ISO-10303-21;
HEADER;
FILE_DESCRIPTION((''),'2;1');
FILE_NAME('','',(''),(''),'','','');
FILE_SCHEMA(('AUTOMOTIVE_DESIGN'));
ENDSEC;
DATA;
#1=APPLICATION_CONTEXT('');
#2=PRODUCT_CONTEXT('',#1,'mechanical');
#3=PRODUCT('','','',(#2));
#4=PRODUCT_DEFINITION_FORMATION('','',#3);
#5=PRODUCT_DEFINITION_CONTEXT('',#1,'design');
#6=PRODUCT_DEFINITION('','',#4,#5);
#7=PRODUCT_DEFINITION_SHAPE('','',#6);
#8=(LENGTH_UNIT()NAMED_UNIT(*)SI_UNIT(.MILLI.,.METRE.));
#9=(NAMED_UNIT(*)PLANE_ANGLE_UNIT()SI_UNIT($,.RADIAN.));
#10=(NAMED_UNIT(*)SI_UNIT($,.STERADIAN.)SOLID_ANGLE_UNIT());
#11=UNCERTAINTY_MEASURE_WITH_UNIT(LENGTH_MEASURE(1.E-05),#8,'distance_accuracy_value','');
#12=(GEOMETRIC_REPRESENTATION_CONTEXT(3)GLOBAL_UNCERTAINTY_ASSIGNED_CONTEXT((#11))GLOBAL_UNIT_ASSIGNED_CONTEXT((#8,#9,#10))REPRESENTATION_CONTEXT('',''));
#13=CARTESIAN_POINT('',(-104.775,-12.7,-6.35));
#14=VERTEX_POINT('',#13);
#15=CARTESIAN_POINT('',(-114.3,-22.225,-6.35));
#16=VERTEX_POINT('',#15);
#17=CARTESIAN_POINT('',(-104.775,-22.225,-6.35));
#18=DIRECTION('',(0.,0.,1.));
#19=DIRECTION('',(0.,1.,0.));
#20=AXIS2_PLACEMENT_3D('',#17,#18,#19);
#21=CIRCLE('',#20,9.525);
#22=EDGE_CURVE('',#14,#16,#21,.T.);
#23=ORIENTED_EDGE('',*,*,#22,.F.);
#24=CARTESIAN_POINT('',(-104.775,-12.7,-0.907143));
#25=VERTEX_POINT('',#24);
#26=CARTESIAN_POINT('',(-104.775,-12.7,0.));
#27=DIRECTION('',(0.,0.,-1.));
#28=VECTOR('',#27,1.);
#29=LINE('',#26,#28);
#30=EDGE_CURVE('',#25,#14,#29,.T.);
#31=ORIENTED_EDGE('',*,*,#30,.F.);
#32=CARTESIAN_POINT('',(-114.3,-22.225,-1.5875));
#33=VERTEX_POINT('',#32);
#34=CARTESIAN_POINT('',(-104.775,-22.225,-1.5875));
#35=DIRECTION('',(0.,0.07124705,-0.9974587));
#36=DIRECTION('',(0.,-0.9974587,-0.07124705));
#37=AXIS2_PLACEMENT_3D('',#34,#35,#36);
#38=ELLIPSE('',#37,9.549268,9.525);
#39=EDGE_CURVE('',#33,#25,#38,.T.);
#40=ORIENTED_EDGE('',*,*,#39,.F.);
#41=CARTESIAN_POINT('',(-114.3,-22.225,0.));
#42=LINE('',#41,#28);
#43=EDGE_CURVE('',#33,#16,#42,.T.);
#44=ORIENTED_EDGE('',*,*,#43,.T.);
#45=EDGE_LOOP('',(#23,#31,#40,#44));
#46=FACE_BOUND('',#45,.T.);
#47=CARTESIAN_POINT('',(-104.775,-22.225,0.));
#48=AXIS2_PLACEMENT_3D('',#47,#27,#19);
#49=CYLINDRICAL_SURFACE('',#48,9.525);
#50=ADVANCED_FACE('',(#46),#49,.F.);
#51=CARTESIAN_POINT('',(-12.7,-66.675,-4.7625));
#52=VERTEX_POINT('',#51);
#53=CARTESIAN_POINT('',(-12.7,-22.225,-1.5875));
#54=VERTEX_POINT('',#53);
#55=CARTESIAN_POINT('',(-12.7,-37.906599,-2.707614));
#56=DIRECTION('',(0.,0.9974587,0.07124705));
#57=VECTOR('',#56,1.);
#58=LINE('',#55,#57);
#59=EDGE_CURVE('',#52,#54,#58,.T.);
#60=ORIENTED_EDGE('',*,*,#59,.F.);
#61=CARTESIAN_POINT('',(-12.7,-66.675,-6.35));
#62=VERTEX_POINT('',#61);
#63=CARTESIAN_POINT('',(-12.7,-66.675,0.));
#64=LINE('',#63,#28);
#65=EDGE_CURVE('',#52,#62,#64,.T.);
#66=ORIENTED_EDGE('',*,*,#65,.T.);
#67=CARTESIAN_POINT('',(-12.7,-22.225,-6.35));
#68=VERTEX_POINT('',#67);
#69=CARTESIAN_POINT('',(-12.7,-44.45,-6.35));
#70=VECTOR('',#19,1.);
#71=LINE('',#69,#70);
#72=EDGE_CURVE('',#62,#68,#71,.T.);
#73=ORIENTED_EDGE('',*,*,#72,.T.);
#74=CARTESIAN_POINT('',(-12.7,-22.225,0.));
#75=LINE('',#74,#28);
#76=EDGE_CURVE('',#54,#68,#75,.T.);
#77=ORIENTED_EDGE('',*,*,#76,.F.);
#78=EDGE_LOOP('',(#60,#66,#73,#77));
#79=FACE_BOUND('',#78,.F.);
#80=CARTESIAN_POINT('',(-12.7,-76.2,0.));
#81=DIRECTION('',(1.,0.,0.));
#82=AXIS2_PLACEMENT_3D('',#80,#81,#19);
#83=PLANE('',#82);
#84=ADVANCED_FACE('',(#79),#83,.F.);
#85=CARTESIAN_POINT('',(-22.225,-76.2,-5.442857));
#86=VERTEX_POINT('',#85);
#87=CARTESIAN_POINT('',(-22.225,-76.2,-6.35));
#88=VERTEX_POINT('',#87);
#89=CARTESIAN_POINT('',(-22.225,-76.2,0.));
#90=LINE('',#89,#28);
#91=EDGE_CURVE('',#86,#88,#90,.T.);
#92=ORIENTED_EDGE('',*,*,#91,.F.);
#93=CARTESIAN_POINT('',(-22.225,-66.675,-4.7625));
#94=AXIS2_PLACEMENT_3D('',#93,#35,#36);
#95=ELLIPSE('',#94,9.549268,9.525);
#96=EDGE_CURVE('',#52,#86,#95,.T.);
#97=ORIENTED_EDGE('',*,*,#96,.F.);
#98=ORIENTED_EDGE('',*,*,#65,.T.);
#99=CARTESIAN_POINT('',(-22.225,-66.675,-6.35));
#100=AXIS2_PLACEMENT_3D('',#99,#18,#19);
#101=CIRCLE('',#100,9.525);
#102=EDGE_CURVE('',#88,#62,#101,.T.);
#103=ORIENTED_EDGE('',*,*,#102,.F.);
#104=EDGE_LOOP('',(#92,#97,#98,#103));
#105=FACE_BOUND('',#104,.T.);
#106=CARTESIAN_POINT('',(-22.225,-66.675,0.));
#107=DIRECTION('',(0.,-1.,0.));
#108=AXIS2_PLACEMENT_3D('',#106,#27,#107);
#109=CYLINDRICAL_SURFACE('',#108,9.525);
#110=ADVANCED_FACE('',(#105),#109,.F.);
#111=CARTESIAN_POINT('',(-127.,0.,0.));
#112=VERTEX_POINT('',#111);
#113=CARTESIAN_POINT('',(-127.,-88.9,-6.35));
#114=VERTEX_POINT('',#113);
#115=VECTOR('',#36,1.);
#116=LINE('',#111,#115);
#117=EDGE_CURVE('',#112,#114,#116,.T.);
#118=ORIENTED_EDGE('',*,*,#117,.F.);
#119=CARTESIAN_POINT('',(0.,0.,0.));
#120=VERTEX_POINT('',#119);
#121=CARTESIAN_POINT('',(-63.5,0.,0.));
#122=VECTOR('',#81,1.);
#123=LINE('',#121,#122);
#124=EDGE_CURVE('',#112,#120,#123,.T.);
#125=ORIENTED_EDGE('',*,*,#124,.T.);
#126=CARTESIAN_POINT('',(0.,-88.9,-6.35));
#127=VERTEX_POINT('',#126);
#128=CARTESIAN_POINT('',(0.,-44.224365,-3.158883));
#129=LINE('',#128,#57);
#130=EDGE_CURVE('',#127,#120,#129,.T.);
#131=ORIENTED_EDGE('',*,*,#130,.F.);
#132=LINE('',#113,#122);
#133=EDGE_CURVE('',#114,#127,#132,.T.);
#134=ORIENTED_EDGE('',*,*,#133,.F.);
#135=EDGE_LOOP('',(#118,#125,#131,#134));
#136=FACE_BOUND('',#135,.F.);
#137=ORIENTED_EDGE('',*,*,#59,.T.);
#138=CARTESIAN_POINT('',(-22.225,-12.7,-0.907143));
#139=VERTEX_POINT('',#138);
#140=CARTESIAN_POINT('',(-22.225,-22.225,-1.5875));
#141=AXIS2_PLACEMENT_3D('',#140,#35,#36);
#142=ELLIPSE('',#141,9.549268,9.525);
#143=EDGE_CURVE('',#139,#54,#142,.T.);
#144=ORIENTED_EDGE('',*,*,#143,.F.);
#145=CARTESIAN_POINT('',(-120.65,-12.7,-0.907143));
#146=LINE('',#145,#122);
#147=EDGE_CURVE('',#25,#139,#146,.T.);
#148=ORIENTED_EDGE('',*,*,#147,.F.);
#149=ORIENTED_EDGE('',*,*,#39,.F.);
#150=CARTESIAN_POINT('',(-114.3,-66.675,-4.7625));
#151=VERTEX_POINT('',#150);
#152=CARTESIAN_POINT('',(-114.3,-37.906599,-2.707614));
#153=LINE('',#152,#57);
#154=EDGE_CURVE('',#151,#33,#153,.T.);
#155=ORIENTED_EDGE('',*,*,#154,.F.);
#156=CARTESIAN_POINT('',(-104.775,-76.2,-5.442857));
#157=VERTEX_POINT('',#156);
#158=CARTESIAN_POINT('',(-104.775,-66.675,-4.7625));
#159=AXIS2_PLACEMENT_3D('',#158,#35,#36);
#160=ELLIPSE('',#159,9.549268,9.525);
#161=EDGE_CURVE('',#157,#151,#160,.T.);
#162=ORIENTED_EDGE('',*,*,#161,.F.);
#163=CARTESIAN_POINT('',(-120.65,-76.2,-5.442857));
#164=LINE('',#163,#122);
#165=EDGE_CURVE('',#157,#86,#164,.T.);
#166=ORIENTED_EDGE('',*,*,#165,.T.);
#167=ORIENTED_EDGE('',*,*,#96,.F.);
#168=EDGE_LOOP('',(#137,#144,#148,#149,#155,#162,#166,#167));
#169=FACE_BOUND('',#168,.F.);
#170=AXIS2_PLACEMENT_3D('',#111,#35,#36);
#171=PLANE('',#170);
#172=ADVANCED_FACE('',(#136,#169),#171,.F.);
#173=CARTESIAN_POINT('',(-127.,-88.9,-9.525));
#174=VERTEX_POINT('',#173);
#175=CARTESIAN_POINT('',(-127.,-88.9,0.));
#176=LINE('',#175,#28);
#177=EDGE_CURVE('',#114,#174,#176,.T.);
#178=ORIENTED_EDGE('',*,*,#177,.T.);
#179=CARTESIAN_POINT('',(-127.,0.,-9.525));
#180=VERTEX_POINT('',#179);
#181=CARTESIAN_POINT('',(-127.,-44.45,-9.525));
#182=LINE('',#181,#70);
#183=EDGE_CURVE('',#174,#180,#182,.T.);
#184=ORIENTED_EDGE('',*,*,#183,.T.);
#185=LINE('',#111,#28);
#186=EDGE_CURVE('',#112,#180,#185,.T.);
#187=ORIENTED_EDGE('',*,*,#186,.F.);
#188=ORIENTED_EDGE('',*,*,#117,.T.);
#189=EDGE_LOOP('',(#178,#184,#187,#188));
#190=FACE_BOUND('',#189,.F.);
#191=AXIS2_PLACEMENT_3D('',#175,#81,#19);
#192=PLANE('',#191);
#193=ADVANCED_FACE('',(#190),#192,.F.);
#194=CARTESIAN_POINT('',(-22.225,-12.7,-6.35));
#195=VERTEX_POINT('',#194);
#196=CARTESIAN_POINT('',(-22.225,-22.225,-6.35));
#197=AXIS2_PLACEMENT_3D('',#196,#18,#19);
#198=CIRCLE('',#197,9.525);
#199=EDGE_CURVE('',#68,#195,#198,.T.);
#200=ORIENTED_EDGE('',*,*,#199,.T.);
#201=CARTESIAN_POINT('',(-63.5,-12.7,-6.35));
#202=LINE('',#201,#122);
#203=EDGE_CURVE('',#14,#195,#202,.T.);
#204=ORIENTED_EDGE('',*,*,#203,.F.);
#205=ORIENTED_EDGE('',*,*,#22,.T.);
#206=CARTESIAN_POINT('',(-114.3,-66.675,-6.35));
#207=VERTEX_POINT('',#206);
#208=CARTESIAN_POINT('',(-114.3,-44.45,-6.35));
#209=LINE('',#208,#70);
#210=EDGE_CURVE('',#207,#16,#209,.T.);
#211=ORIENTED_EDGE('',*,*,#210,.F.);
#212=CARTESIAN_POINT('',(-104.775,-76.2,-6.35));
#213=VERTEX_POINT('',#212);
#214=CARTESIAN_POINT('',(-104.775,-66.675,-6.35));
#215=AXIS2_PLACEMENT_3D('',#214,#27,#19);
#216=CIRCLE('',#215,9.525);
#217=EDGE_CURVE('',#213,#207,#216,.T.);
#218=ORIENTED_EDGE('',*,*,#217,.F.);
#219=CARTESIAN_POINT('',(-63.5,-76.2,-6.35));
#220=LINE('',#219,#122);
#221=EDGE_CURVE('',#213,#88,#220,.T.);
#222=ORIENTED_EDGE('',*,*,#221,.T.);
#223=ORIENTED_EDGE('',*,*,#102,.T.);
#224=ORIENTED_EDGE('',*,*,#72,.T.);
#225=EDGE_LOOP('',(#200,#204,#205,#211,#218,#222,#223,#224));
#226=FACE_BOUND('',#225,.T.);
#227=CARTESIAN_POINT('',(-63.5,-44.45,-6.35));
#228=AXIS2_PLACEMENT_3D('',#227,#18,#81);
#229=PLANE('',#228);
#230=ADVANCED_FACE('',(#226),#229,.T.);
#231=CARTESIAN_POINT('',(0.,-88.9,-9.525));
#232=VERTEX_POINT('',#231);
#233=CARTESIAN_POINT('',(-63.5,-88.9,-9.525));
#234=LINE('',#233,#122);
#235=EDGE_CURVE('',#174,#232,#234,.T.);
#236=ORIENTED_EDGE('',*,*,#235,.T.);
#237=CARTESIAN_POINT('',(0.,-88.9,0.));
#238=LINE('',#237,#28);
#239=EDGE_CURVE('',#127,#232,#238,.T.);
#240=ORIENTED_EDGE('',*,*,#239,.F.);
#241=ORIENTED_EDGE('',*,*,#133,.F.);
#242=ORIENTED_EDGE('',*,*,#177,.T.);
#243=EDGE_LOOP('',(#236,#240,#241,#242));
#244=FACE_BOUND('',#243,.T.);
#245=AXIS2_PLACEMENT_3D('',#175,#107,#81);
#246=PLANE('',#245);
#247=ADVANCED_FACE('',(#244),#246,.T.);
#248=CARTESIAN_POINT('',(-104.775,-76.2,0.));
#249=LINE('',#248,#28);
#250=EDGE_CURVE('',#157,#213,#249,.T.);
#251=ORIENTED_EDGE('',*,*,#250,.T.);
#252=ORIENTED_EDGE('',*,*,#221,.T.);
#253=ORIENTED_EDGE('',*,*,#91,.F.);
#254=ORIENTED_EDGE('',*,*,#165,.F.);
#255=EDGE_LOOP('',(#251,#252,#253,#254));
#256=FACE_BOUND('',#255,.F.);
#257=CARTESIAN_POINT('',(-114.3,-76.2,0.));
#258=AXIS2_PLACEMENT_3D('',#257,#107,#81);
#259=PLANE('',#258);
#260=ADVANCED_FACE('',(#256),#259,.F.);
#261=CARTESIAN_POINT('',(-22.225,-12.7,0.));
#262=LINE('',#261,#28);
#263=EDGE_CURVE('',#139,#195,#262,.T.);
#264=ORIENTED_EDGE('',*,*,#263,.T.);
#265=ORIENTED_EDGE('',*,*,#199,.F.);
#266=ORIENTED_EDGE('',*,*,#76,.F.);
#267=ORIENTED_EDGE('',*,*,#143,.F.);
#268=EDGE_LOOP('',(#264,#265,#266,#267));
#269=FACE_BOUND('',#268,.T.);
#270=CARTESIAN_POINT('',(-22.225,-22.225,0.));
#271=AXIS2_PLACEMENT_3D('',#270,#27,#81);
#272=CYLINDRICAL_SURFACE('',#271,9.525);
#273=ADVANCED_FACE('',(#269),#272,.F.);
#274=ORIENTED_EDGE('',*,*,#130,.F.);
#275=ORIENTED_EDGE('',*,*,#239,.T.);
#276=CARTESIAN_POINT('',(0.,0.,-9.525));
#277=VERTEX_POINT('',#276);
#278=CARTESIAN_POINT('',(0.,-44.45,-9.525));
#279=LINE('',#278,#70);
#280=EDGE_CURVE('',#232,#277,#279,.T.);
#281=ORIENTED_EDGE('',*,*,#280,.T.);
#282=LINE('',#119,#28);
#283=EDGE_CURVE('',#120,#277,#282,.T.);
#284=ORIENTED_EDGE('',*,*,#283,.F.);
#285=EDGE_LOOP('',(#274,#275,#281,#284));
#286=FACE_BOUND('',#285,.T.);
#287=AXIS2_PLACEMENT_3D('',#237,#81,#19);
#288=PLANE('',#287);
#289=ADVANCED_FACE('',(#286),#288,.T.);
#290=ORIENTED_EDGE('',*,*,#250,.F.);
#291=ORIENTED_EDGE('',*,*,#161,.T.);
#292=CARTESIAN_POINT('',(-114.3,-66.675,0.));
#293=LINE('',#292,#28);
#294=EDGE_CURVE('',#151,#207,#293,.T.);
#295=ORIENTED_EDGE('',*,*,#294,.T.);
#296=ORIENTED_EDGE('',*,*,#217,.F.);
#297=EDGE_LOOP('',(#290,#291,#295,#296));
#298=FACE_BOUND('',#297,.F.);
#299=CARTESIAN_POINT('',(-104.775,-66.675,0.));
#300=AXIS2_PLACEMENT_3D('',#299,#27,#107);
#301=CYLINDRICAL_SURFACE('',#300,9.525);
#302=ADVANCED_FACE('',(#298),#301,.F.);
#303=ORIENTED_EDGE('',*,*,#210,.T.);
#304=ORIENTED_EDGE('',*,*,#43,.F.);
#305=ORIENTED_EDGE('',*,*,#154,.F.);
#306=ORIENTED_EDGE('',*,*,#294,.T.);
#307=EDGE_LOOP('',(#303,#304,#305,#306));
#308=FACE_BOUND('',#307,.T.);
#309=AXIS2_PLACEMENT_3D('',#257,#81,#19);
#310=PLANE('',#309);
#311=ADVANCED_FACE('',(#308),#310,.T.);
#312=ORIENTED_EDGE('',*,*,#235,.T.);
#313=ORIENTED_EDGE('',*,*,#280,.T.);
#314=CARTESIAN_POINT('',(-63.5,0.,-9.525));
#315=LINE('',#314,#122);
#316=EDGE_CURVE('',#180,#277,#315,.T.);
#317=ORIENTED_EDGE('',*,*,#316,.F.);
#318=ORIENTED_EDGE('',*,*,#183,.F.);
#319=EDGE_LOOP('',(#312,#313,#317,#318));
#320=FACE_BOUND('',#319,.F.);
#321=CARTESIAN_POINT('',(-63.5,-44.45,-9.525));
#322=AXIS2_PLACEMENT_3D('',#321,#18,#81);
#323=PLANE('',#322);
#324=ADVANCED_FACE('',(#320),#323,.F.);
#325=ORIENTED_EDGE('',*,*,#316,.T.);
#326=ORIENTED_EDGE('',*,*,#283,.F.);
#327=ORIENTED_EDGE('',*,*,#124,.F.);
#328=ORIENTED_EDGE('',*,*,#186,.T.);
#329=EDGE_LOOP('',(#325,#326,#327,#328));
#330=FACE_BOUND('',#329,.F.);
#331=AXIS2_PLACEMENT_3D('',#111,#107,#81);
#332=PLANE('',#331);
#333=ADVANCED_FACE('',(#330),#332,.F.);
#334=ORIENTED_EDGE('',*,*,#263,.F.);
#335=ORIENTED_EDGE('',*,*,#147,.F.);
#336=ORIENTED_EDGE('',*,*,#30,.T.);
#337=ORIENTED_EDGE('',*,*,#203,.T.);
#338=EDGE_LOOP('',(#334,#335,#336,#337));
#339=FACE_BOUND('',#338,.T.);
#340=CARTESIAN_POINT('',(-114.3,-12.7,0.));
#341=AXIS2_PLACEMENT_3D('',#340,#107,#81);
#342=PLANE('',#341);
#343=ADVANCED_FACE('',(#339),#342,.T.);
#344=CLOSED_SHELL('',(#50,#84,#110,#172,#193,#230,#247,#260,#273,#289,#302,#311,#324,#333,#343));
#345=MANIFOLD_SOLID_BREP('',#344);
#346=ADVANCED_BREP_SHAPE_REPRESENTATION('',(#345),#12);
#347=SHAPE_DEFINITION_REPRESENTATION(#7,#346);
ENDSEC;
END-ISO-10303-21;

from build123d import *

# Parameters (mm, degrees)
F0_W     = 127
F0_H     = 88.9
F1_DEPTH = 9.525
F3_W     = 101.6
F3_H     = 63.5
F4_DEPTH = 6.35
F5_R     = 9.525
F6_DEPTH = 127.001


with BuildPart() as f1:
    # F0 (on Top) → F1 (new body)
    with BuildSketch(Plane.XY):
        with Locations((-63.5, -44.45)):
            Rectangle(F0_W, F0_H)
    extrude(amount=-F1_DEPTH)

    # F3 (on face) → F4 (cut)
    with BuildSketch(Plane.XY):
        with Locations((-63.5, -44.45)):
            Rectangle(F3_W, F3_H)
    extrude(amount=-F4_DEPTH, mode=Mode.SUBTRACT)

    # F5
    f5_edges = [f1.edges().sort_by_distance(p)[0] for p in [
        (-12.7, -12.7, -3.175),
        (-114.3, -12.7, -3.175),
        (-114.3, -76.2, -3.175),
        (-12.7, -76.2, -3.175),
    ]]
    fillet(f5_edges, radius=F5_R)

    # F2 (on face) → F6 (cut, through all)
    with BuildSketch(Plane(origin=(-127, 0, 0), x_dir=(0, -1, 0), z_dir=(-1, 0, 0))):
        Polygon((88.9, 0), (0, 0), (88.9, -6.35), align=None)
    extrude(amount=-F6_DEPTH, mode=Mode.SUBTRACT)


solid = f1.part
